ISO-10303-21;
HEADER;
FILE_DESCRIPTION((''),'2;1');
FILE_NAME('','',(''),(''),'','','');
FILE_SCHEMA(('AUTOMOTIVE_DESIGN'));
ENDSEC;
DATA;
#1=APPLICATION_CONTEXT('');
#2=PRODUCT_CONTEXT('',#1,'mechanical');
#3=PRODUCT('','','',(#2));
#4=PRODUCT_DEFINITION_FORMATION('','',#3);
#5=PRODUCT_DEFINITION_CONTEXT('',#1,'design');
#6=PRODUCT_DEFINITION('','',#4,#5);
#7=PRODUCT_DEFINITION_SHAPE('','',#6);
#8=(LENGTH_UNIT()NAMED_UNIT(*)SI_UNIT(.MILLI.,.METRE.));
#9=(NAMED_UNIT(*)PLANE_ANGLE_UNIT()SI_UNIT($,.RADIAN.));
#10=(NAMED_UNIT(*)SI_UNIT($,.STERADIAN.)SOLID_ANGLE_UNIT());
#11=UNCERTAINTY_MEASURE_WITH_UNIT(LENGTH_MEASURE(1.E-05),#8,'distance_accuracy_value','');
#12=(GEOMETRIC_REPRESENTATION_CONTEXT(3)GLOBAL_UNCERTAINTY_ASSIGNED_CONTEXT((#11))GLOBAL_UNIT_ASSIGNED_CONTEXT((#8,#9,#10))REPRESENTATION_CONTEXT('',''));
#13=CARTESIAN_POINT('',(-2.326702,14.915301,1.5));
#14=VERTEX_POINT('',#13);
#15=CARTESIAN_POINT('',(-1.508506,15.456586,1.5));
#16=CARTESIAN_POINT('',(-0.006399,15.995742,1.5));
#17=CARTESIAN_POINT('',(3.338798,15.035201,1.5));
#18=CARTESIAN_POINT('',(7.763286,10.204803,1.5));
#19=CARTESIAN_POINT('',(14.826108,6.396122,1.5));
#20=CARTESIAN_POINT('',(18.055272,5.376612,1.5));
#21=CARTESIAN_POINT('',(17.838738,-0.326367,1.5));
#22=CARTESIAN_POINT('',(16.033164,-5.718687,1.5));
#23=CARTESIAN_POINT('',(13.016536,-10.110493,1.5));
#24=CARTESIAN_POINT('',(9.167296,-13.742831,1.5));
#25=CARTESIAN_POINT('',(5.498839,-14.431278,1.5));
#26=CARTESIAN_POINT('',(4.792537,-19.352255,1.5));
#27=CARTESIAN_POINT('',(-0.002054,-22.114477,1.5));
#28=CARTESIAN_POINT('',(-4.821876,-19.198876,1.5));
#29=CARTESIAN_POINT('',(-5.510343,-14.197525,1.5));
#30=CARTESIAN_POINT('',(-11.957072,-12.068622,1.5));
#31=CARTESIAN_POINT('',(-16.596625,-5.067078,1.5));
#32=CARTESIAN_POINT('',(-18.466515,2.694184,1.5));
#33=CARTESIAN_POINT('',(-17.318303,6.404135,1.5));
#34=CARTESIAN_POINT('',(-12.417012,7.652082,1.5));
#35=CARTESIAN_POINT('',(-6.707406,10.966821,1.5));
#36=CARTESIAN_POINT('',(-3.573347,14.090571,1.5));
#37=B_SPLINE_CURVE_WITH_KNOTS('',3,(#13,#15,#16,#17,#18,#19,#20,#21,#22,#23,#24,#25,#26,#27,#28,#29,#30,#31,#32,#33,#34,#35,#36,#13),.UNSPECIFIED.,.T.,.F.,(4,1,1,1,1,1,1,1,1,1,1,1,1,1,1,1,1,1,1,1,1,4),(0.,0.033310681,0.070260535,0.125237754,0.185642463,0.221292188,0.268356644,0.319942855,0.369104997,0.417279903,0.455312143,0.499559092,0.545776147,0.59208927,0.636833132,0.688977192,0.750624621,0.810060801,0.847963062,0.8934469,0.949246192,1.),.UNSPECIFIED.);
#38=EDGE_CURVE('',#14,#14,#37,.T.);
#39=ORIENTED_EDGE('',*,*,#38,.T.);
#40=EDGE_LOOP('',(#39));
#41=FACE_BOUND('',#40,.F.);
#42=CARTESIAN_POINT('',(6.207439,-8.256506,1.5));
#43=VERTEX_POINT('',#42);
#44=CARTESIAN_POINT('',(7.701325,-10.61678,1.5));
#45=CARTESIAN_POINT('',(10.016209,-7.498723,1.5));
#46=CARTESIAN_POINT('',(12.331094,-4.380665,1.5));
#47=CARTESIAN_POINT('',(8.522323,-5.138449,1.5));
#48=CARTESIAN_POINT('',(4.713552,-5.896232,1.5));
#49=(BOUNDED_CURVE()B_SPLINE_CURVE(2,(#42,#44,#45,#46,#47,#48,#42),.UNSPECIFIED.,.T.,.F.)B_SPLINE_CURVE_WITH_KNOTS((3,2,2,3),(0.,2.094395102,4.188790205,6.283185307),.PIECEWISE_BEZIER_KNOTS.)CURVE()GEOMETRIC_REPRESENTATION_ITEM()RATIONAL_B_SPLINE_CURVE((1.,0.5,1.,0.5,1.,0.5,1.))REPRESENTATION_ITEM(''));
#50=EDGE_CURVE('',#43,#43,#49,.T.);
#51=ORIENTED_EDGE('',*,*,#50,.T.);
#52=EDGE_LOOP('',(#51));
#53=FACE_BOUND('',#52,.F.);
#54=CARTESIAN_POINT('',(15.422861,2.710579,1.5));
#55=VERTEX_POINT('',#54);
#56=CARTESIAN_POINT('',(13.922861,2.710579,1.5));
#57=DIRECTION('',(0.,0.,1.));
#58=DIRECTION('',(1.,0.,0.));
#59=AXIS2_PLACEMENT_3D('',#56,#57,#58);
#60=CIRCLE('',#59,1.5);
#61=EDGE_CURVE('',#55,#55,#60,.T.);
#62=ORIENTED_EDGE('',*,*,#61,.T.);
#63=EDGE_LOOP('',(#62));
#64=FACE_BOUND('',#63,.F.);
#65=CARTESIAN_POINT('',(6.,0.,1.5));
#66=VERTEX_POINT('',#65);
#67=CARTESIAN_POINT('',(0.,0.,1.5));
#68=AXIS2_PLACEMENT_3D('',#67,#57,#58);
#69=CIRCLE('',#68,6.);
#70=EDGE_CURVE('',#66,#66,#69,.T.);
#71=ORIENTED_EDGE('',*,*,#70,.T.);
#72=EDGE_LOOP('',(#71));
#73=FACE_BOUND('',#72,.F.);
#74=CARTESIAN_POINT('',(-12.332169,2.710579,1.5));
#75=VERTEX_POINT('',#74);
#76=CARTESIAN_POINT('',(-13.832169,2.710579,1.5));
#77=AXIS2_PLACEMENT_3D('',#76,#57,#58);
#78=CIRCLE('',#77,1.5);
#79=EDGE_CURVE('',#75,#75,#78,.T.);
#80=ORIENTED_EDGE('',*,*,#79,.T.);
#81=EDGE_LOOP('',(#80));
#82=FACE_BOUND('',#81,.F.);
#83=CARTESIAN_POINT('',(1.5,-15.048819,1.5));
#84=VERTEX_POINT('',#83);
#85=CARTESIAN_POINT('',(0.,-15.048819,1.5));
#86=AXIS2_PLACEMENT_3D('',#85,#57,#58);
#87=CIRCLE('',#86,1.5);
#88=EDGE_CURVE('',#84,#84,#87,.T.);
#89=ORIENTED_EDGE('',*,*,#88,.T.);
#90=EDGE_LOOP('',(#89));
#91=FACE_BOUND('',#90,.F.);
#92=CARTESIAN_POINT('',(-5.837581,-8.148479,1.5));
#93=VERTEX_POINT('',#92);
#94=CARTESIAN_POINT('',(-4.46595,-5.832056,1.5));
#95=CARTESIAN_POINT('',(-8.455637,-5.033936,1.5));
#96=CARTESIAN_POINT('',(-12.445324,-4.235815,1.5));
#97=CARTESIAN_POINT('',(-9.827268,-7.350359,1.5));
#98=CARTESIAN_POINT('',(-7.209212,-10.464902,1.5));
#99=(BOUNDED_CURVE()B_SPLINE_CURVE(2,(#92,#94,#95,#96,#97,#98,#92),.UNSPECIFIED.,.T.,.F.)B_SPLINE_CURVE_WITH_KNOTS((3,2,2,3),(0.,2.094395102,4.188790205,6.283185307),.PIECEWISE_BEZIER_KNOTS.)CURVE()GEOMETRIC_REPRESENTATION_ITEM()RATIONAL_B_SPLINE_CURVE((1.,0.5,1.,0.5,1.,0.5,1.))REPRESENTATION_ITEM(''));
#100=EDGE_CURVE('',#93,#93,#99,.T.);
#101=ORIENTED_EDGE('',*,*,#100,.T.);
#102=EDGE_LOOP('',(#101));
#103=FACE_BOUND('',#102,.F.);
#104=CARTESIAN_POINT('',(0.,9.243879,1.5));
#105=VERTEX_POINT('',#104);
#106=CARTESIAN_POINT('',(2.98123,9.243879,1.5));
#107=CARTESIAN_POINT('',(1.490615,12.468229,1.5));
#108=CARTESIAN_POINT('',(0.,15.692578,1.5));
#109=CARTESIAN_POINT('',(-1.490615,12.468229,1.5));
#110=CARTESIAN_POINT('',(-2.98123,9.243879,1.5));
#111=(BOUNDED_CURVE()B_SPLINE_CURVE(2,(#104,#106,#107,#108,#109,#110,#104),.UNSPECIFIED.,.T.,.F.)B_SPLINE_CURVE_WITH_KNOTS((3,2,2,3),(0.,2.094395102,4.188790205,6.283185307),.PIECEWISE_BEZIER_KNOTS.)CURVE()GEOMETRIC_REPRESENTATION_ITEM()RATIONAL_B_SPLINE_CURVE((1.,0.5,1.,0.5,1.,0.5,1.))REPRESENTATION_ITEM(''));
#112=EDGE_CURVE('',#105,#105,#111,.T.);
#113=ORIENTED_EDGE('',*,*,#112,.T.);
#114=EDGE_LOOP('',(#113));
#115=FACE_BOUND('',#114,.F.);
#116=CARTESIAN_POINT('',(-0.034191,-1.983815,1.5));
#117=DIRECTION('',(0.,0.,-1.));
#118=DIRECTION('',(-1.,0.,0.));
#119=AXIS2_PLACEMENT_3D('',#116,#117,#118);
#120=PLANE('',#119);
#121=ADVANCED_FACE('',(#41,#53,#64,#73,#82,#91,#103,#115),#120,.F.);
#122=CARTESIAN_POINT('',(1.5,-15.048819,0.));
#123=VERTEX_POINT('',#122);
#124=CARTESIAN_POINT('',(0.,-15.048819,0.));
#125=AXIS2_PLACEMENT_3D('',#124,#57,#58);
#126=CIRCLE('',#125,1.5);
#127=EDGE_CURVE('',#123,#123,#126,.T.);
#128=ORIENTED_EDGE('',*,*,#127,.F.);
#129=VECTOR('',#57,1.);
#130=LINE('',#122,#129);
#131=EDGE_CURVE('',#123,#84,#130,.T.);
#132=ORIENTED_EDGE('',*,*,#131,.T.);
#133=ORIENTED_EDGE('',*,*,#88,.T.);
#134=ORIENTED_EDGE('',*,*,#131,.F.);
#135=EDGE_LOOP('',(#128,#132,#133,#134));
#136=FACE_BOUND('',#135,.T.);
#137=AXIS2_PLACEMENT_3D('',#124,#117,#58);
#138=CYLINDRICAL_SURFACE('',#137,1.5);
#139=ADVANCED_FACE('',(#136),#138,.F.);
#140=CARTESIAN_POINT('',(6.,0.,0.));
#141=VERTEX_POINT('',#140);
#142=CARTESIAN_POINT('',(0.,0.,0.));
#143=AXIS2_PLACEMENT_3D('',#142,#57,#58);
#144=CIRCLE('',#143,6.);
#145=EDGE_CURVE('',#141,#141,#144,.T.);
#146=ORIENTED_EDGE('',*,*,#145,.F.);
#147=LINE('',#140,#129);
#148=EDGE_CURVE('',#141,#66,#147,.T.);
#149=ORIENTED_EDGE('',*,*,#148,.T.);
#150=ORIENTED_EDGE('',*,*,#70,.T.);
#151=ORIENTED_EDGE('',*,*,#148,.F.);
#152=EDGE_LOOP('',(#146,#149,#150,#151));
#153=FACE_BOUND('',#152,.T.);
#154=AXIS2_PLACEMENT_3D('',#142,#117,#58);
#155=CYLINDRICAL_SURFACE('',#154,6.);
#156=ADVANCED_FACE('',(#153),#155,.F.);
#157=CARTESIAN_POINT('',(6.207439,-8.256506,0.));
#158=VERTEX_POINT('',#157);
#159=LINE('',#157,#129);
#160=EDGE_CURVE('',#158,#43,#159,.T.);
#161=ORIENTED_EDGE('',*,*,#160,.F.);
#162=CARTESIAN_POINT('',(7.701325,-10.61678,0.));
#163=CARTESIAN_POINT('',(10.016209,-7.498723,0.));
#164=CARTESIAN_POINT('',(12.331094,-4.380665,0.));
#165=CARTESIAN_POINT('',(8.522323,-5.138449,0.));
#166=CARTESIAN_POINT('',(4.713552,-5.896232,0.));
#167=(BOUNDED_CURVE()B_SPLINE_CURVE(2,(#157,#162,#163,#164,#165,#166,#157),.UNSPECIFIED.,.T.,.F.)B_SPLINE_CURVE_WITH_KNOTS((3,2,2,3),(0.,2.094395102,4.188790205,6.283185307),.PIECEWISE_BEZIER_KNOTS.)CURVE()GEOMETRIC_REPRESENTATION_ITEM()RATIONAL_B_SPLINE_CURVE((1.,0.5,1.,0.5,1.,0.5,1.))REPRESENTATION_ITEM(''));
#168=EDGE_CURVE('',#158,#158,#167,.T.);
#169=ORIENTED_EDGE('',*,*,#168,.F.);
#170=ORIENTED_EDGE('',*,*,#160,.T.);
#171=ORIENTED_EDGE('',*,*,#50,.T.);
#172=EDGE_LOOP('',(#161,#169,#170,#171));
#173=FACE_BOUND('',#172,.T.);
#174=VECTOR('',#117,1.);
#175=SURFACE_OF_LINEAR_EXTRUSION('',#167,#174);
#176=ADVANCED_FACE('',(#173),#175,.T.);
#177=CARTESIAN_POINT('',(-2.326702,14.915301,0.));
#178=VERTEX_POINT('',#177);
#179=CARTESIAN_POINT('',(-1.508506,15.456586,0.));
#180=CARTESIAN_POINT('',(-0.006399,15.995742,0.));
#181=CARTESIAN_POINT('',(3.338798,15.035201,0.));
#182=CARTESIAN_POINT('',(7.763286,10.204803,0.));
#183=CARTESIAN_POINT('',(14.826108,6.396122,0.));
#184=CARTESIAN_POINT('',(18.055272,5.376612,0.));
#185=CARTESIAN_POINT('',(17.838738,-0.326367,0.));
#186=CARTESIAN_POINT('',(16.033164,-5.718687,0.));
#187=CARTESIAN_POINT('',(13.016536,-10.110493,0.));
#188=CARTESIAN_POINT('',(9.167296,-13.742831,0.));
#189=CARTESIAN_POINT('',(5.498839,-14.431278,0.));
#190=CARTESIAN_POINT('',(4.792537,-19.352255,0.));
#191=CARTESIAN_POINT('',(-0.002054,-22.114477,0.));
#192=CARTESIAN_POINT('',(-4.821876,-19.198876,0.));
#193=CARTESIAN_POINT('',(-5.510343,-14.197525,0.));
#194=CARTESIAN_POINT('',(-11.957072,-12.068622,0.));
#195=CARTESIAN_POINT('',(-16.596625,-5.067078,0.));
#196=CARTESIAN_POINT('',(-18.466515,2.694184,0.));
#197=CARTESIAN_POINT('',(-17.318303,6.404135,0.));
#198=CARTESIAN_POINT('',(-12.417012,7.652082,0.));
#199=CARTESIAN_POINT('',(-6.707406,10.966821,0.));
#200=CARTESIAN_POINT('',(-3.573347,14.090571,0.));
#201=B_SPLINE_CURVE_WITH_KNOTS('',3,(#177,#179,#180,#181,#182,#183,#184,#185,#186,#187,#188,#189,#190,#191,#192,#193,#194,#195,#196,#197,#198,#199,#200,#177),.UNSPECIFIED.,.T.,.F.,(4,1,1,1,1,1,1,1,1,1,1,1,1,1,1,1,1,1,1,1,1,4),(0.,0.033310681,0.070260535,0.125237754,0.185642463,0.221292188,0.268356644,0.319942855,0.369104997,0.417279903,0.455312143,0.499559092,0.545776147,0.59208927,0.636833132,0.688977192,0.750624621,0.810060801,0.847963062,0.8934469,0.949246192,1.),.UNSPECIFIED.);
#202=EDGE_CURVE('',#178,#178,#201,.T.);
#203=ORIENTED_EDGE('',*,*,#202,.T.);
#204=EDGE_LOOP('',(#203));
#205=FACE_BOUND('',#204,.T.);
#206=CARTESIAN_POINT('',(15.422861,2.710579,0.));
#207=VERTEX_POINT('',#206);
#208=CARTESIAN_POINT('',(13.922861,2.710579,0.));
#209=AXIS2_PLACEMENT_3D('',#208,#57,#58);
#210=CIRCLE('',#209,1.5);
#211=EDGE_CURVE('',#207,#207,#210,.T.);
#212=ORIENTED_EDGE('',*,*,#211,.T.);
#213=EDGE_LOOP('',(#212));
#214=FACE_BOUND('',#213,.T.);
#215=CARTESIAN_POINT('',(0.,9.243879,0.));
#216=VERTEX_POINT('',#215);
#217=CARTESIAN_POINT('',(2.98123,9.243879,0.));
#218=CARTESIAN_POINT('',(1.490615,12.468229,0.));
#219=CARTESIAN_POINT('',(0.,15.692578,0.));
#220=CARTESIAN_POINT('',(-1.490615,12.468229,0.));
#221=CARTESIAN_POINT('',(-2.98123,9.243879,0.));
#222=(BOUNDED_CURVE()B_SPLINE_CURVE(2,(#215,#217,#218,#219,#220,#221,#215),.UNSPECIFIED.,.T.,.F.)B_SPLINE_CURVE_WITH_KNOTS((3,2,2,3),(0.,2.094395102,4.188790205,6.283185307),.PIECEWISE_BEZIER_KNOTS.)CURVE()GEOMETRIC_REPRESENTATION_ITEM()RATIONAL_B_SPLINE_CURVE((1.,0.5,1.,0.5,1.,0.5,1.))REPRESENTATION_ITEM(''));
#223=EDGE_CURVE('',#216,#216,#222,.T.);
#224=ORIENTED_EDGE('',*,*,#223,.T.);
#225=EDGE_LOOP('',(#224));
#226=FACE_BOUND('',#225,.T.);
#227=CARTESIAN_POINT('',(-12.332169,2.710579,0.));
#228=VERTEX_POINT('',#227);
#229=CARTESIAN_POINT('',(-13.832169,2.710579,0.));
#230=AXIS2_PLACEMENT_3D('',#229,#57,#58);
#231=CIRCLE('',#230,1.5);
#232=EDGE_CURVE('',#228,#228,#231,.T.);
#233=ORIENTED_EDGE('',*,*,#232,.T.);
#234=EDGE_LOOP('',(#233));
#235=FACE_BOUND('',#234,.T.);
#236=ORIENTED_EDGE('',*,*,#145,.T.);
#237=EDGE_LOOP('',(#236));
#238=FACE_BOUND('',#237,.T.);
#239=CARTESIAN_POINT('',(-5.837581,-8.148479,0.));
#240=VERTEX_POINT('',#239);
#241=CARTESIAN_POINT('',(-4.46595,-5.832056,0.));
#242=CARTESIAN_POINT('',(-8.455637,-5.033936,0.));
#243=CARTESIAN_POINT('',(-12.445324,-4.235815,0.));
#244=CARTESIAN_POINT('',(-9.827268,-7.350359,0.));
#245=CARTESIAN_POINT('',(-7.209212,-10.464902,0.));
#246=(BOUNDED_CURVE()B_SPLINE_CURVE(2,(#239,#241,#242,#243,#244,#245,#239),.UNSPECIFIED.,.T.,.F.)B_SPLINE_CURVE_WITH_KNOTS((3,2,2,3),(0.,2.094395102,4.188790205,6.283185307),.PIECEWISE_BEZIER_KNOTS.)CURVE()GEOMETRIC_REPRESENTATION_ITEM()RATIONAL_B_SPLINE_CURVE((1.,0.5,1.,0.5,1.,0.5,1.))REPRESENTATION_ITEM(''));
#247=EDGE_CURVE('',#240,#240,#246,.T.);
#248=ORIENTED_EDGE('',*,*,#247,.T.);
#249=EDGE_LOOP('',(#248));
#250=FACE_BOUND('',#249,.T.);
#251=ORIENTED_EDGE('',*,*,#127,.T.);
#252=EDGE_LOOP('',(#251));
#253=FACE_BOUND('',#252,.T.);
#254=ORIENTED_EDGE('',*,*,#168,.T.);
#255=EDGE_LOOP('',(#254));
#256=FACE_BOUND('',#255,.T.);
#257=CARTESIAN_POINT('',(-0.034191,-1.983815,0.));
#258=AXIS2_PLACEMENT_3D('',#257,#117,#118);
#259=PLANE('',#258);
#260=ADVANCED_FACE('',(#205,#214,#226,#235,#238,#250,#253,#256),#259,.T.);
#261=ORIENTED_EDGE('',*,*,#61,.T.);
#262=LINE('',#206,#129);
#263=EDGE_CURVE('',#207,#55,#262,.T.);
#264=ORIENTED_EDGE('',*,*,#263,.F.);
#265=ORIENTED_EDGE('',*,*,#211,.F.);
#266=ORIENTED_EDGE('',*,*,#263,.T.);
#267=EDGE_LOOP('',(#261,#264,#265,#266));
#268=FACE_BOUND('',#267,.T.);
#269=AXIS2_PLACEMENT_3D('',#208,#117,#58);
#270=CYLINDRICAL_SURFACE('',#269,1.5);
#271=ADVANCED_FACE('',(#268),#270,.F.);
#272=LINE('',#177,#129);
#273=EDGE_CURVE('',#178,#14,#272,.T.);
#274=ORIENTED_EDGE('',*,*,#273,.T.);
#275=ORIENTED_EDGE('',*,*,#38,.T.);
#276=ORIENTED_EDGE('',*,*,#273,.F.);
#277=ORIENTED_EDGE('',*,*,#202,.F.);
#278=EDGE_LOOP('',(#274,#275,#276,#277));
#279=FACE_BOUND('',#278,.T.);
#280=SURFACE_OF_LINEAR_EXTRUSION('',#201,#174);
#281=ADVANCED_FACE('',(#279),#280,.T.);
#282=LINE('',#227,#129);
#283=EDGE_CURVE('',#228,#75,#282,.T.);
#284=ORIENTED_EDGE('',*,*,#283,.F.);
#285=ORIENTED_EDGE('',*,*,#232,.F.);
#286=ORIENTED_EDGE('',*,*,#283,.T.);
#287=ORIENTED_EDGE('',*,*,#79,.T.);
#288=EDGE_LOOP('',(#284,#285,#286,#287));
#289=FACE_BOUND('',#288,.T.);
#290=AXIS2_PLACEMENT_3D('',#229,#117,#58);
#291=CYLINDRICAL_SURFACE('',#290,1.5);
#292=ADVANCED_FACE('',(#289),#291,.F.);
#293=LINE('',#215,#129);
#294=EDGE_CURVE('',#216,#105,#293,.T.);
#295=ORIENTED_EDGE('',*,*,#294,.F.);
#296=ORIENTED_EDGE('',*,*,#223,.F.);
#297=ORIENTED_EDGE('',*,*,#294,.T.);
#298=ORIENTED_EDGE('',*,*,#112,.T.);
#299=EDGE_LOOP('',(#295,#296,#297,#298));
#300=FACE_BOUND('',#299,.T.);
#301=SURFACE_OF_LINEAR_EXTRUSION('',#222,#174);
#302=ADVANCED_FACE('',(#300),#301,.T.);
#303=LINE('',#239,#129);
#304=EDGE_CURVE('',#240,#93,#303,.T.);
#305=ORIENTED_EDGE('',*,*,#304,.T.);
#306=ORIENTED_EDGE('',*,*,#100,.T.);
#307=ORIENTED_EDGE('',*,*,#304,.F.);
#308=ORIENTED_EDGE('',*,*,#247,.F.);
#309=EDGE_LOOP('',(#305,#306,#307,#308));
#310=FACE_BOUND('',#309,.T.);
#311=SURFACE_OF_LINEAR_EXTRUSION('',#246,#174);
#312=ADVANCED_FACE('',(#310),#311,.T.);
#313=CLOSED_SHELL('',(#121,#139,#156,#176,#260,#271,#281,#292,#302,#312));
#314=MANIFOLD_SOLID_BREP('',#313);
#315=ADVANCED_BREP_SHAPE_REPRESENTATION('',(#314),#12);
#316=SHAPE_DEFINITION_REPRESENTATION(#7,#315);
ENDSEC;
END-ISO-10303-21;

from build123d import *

# Parameters (mm, degrees)
F0_R     = 1.5
F0_R_2   = 6
F1_DEPTH = 1.5


with BuildPart() as f1:
    # F0 (on Top) → F1 (new body)
    with BuildSketch(Plane.XY):
        with BuildLine():
            add(Edge.make_bspline(
                [(-2.3267022334, 14.9153005332), (-1.5085056785, 15.4565862726), (-0.0063991641, 15.995741774), (3.3387975578, 15.0352009028), (7.763285894, 10.2048026915), (14.8261084048, 6.3961223389), (18.0552716431, 5.3766119055), (17.8387376181, -0.3263671627), (16.0331638639, -5.7186871098), (13.0165359137, -10.1104930304), (9.1672961277, -13.74283101), (5.4988394343, -14.4312782754), (4.7925366117, -19.3522546905), (-0.0020535861, -22.1144772656), (-4.8218763228, -19.1988757952), (-5.5103427163, -14.1975247892), (-11.9570720053, -12.0686217206), (-16.5966250402, -5.0670777642), (-18.4665149027, 2.6941835641), (-17.3183029389, 6.4041351377), (-12.417012349, 7.6520820301), (-6.707406419, 10.9668210753), (-3.5733471541, 14.0905706885), (-2.3267022334, 14.9153005332)],
                knots=[0, 0, 0, 0, 0.0333106805, 0.0702605349, 0.1252377538, 0.1856424631, 0.2212921883, 0.268356644, 0.3199428553, 0.3691049969, 0.4172799033, 0.4553121435, 0.4995590921, 0.5457761471, 0.5920892701, 0.6368331321, 0.6889771922, 0.7506246212, 0.8100608007, 0.8479630615, 0.8934469005, 0.9492461922, 1, 1, 1, 1], degree=3))
        make_face()
        with BuildLine():
            add(Edge.make_bspline(
                [(-5.8375806548, -8.1484792754), (-4.4659497256, -5.8320561838), (-8.4556369131, -5.0339357203), (-12.4453241006, -4.2358152568), (-9.8272678423, -7.3503588119), (-7.209211584, -10.464902367), (-5.8375806548, -8.1484792754)],
                knots=[0, 0, 0, 2.0943951024, 2.0943951024, 4.1887902048, 4.1887902048, 6.2831853072, 6.2831853072, 6.2831853072], degree=2, weights=[1, 0.5, 1, 0.5, 1, 0.5, 1]))
        make_face(mode=Mode.SUBTRACT)
        with Locations((0, -15.0488186628)):
            Circle(F0_R, mode=Mode.SUBTRACT)
        with BuildLine():
            add(Edge.make_bspline(
                [(6.2074386515, -8.2565061748), (7.7013252192, -10.6167800229), (10.0162094404, -7.4987226384), (12.3310936615, -4.3806652538), (8.5223228726, -5.1384487903), (4.7135520837, -5.8962323267), (6.2074386515, -8.2565061748)],
                knots=[0, 0, 0, 2.0943951024, 2.0943951024, 4.1887902048, 4.1887902048, 6.2831853072, 6.2831853072, 6.2831853072], degree=2, weights=[1, 0.5, 1, 0.5, 1, 0.5, 1]))
        make_face(mode=Mode.SUBTRACT)
        with Locations((-13.8321686536, 2.7105789632)):
            Circle(F0_R, mode=Mode.SUBTRACT)
        Circle(F0_R_2, mode=Mode.SUBTRACT)
        with Locations((13.9228608459, 2.7105789632)):
            Circle(F0_R, mode=Mode.SUBTRACT)
        with BuildLine():
            add(Edge.make_bspline(
                [(0, 9.2438794672), (2.9812304375, 9.2438794672), (1.4906152187, 12.4682285823), (0, 15.6925776973), (-1.4906152187, 12.4682285823), (-2.9812304375, 9.2438794672), (0, 9.2438794672)],
                knots=[0, 0, 0, 2.0943951024, 2.0943951024, 4.1887902048, 4.1887902048, 6.2831853072, 6.2831853072, 6.2831853072], degree=2, weights=[1, 0.5, 1, 0.5, 1, 0.5, 1]))
        make_face(mode=Mode.SUBTRACT)
    extrude(amount=F1_DEPTH)


solid = f1.part
